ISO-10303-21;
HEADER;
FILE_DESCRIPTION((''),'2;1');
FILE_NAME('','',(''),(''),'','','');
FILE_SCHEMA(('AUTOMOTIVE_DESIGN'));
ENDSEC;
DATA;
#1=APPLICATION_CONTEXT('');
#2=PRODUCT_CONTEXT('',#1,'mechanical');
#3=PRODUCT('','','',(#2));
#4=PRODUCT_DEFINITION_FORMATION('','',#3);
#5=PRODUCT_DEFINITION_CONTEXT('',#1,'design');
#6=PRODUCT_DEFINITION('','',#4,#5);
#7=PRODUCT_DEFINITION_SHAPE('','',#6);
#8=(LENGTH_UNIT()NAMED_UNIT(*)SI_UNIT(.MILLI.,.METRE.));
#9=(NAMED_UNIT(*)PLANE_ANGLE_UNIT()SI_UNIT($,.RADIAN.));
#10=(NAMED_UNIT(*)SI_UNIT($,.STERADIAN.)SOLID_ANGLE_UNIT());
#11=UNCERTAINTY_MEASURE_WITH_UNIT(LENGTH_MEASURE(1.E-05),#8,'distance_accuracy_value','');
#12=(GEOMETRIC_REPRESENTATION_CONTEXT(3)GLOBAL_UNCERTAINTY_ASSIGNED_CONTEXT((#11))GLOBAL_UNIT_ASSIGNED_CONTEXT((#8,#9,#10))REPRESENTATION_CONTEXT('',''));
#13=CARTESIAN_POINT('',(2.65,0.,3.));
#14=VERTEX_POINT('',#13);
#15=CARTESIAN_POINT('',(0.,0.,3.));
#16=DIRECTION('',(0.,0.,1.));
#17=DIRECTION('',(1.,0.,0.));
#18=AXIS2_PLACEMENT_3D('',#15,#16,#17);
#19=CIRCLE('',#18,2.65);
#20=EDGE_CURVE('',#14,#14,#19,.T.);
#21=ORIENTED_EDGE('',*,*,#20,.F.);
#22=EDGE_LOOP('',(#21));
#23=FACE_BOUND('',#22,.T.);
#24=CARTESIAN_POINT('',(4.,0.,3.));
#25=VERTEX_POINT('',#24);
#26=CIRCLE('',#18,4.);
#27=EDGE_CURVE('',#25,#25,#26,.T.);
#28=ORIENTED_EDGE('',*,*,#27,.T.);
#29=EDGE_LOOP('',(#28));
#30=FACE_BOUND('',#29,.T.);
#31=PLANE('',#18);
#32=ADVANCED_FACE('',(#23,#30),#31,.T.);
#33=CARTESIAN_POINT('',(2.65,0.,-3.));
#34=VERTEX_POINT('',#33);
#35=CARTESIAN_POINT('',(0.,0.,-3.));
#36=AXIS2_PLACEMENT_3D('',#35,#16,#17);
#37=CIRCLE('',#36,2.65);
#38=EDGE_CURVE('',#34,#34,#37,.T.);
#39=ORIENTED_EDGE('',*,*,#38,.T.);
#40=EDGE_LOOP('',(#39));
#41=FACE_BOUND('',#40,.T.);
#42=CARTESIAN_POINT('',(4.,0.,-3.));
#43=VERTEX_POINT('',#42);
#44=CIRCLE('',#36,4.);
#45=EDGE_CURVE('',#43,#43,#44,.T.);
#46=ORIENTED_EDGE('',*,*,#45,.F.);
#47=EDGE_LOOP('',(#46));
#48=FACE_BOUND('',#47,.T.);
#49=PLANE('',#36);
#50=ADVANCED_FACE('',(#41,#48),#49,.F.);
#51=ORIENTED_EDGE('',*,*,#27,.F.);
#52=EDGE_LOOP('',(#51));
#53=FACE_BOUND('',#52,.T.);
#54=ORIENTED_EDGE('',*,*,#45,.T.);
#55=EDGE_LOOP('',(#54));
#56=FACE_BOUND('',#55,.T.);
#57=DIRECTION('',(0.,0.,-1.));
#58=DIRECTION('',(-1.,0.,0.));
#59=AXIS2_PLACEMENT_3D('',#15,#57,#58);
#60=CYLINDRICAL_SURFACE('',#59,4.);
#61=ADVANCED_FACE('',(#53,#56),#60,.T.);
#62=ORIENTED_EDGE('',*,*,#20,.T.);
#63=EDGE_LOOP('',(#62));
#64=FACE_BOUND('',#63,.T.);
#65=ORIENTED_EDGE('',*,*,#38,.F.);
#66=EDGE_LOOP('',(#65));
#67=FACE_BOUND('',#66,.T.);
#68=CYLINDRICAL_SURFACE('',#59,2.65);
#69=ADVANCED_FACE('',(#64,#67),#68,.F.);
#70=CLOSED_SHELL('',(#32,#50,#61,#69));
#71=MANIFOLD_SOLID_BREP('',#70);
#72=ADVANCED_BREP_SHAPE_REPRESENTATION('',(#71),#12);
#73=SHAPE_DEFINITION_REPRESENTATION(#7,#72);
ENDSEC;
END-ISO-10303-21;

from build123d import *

# Parameters (mm, degrees)
SKETCH1_R           = 4
SKETCH1_R_2         = 2.65
EXTRUDE1_DEPTH      = 3
EXTRUDE1_DEPTH_BACK = 3


with BuildPart() as part:
    # Sketch1 → Extrude1 (new body, two sides)
    with BuildSketch(Plane.XY) as extrude1_sk:
        Circle(SKETCH1_R)
        Circle(SKETCH1_R_2, mode=Mode.SUBTRACT)
    extrude(amount=EXTRUDE1_DEPTH)
    extrude(extrude1_sk.sketch, amount=-EXTRUDE1_DEPTH_BACK)


solid = part.part
